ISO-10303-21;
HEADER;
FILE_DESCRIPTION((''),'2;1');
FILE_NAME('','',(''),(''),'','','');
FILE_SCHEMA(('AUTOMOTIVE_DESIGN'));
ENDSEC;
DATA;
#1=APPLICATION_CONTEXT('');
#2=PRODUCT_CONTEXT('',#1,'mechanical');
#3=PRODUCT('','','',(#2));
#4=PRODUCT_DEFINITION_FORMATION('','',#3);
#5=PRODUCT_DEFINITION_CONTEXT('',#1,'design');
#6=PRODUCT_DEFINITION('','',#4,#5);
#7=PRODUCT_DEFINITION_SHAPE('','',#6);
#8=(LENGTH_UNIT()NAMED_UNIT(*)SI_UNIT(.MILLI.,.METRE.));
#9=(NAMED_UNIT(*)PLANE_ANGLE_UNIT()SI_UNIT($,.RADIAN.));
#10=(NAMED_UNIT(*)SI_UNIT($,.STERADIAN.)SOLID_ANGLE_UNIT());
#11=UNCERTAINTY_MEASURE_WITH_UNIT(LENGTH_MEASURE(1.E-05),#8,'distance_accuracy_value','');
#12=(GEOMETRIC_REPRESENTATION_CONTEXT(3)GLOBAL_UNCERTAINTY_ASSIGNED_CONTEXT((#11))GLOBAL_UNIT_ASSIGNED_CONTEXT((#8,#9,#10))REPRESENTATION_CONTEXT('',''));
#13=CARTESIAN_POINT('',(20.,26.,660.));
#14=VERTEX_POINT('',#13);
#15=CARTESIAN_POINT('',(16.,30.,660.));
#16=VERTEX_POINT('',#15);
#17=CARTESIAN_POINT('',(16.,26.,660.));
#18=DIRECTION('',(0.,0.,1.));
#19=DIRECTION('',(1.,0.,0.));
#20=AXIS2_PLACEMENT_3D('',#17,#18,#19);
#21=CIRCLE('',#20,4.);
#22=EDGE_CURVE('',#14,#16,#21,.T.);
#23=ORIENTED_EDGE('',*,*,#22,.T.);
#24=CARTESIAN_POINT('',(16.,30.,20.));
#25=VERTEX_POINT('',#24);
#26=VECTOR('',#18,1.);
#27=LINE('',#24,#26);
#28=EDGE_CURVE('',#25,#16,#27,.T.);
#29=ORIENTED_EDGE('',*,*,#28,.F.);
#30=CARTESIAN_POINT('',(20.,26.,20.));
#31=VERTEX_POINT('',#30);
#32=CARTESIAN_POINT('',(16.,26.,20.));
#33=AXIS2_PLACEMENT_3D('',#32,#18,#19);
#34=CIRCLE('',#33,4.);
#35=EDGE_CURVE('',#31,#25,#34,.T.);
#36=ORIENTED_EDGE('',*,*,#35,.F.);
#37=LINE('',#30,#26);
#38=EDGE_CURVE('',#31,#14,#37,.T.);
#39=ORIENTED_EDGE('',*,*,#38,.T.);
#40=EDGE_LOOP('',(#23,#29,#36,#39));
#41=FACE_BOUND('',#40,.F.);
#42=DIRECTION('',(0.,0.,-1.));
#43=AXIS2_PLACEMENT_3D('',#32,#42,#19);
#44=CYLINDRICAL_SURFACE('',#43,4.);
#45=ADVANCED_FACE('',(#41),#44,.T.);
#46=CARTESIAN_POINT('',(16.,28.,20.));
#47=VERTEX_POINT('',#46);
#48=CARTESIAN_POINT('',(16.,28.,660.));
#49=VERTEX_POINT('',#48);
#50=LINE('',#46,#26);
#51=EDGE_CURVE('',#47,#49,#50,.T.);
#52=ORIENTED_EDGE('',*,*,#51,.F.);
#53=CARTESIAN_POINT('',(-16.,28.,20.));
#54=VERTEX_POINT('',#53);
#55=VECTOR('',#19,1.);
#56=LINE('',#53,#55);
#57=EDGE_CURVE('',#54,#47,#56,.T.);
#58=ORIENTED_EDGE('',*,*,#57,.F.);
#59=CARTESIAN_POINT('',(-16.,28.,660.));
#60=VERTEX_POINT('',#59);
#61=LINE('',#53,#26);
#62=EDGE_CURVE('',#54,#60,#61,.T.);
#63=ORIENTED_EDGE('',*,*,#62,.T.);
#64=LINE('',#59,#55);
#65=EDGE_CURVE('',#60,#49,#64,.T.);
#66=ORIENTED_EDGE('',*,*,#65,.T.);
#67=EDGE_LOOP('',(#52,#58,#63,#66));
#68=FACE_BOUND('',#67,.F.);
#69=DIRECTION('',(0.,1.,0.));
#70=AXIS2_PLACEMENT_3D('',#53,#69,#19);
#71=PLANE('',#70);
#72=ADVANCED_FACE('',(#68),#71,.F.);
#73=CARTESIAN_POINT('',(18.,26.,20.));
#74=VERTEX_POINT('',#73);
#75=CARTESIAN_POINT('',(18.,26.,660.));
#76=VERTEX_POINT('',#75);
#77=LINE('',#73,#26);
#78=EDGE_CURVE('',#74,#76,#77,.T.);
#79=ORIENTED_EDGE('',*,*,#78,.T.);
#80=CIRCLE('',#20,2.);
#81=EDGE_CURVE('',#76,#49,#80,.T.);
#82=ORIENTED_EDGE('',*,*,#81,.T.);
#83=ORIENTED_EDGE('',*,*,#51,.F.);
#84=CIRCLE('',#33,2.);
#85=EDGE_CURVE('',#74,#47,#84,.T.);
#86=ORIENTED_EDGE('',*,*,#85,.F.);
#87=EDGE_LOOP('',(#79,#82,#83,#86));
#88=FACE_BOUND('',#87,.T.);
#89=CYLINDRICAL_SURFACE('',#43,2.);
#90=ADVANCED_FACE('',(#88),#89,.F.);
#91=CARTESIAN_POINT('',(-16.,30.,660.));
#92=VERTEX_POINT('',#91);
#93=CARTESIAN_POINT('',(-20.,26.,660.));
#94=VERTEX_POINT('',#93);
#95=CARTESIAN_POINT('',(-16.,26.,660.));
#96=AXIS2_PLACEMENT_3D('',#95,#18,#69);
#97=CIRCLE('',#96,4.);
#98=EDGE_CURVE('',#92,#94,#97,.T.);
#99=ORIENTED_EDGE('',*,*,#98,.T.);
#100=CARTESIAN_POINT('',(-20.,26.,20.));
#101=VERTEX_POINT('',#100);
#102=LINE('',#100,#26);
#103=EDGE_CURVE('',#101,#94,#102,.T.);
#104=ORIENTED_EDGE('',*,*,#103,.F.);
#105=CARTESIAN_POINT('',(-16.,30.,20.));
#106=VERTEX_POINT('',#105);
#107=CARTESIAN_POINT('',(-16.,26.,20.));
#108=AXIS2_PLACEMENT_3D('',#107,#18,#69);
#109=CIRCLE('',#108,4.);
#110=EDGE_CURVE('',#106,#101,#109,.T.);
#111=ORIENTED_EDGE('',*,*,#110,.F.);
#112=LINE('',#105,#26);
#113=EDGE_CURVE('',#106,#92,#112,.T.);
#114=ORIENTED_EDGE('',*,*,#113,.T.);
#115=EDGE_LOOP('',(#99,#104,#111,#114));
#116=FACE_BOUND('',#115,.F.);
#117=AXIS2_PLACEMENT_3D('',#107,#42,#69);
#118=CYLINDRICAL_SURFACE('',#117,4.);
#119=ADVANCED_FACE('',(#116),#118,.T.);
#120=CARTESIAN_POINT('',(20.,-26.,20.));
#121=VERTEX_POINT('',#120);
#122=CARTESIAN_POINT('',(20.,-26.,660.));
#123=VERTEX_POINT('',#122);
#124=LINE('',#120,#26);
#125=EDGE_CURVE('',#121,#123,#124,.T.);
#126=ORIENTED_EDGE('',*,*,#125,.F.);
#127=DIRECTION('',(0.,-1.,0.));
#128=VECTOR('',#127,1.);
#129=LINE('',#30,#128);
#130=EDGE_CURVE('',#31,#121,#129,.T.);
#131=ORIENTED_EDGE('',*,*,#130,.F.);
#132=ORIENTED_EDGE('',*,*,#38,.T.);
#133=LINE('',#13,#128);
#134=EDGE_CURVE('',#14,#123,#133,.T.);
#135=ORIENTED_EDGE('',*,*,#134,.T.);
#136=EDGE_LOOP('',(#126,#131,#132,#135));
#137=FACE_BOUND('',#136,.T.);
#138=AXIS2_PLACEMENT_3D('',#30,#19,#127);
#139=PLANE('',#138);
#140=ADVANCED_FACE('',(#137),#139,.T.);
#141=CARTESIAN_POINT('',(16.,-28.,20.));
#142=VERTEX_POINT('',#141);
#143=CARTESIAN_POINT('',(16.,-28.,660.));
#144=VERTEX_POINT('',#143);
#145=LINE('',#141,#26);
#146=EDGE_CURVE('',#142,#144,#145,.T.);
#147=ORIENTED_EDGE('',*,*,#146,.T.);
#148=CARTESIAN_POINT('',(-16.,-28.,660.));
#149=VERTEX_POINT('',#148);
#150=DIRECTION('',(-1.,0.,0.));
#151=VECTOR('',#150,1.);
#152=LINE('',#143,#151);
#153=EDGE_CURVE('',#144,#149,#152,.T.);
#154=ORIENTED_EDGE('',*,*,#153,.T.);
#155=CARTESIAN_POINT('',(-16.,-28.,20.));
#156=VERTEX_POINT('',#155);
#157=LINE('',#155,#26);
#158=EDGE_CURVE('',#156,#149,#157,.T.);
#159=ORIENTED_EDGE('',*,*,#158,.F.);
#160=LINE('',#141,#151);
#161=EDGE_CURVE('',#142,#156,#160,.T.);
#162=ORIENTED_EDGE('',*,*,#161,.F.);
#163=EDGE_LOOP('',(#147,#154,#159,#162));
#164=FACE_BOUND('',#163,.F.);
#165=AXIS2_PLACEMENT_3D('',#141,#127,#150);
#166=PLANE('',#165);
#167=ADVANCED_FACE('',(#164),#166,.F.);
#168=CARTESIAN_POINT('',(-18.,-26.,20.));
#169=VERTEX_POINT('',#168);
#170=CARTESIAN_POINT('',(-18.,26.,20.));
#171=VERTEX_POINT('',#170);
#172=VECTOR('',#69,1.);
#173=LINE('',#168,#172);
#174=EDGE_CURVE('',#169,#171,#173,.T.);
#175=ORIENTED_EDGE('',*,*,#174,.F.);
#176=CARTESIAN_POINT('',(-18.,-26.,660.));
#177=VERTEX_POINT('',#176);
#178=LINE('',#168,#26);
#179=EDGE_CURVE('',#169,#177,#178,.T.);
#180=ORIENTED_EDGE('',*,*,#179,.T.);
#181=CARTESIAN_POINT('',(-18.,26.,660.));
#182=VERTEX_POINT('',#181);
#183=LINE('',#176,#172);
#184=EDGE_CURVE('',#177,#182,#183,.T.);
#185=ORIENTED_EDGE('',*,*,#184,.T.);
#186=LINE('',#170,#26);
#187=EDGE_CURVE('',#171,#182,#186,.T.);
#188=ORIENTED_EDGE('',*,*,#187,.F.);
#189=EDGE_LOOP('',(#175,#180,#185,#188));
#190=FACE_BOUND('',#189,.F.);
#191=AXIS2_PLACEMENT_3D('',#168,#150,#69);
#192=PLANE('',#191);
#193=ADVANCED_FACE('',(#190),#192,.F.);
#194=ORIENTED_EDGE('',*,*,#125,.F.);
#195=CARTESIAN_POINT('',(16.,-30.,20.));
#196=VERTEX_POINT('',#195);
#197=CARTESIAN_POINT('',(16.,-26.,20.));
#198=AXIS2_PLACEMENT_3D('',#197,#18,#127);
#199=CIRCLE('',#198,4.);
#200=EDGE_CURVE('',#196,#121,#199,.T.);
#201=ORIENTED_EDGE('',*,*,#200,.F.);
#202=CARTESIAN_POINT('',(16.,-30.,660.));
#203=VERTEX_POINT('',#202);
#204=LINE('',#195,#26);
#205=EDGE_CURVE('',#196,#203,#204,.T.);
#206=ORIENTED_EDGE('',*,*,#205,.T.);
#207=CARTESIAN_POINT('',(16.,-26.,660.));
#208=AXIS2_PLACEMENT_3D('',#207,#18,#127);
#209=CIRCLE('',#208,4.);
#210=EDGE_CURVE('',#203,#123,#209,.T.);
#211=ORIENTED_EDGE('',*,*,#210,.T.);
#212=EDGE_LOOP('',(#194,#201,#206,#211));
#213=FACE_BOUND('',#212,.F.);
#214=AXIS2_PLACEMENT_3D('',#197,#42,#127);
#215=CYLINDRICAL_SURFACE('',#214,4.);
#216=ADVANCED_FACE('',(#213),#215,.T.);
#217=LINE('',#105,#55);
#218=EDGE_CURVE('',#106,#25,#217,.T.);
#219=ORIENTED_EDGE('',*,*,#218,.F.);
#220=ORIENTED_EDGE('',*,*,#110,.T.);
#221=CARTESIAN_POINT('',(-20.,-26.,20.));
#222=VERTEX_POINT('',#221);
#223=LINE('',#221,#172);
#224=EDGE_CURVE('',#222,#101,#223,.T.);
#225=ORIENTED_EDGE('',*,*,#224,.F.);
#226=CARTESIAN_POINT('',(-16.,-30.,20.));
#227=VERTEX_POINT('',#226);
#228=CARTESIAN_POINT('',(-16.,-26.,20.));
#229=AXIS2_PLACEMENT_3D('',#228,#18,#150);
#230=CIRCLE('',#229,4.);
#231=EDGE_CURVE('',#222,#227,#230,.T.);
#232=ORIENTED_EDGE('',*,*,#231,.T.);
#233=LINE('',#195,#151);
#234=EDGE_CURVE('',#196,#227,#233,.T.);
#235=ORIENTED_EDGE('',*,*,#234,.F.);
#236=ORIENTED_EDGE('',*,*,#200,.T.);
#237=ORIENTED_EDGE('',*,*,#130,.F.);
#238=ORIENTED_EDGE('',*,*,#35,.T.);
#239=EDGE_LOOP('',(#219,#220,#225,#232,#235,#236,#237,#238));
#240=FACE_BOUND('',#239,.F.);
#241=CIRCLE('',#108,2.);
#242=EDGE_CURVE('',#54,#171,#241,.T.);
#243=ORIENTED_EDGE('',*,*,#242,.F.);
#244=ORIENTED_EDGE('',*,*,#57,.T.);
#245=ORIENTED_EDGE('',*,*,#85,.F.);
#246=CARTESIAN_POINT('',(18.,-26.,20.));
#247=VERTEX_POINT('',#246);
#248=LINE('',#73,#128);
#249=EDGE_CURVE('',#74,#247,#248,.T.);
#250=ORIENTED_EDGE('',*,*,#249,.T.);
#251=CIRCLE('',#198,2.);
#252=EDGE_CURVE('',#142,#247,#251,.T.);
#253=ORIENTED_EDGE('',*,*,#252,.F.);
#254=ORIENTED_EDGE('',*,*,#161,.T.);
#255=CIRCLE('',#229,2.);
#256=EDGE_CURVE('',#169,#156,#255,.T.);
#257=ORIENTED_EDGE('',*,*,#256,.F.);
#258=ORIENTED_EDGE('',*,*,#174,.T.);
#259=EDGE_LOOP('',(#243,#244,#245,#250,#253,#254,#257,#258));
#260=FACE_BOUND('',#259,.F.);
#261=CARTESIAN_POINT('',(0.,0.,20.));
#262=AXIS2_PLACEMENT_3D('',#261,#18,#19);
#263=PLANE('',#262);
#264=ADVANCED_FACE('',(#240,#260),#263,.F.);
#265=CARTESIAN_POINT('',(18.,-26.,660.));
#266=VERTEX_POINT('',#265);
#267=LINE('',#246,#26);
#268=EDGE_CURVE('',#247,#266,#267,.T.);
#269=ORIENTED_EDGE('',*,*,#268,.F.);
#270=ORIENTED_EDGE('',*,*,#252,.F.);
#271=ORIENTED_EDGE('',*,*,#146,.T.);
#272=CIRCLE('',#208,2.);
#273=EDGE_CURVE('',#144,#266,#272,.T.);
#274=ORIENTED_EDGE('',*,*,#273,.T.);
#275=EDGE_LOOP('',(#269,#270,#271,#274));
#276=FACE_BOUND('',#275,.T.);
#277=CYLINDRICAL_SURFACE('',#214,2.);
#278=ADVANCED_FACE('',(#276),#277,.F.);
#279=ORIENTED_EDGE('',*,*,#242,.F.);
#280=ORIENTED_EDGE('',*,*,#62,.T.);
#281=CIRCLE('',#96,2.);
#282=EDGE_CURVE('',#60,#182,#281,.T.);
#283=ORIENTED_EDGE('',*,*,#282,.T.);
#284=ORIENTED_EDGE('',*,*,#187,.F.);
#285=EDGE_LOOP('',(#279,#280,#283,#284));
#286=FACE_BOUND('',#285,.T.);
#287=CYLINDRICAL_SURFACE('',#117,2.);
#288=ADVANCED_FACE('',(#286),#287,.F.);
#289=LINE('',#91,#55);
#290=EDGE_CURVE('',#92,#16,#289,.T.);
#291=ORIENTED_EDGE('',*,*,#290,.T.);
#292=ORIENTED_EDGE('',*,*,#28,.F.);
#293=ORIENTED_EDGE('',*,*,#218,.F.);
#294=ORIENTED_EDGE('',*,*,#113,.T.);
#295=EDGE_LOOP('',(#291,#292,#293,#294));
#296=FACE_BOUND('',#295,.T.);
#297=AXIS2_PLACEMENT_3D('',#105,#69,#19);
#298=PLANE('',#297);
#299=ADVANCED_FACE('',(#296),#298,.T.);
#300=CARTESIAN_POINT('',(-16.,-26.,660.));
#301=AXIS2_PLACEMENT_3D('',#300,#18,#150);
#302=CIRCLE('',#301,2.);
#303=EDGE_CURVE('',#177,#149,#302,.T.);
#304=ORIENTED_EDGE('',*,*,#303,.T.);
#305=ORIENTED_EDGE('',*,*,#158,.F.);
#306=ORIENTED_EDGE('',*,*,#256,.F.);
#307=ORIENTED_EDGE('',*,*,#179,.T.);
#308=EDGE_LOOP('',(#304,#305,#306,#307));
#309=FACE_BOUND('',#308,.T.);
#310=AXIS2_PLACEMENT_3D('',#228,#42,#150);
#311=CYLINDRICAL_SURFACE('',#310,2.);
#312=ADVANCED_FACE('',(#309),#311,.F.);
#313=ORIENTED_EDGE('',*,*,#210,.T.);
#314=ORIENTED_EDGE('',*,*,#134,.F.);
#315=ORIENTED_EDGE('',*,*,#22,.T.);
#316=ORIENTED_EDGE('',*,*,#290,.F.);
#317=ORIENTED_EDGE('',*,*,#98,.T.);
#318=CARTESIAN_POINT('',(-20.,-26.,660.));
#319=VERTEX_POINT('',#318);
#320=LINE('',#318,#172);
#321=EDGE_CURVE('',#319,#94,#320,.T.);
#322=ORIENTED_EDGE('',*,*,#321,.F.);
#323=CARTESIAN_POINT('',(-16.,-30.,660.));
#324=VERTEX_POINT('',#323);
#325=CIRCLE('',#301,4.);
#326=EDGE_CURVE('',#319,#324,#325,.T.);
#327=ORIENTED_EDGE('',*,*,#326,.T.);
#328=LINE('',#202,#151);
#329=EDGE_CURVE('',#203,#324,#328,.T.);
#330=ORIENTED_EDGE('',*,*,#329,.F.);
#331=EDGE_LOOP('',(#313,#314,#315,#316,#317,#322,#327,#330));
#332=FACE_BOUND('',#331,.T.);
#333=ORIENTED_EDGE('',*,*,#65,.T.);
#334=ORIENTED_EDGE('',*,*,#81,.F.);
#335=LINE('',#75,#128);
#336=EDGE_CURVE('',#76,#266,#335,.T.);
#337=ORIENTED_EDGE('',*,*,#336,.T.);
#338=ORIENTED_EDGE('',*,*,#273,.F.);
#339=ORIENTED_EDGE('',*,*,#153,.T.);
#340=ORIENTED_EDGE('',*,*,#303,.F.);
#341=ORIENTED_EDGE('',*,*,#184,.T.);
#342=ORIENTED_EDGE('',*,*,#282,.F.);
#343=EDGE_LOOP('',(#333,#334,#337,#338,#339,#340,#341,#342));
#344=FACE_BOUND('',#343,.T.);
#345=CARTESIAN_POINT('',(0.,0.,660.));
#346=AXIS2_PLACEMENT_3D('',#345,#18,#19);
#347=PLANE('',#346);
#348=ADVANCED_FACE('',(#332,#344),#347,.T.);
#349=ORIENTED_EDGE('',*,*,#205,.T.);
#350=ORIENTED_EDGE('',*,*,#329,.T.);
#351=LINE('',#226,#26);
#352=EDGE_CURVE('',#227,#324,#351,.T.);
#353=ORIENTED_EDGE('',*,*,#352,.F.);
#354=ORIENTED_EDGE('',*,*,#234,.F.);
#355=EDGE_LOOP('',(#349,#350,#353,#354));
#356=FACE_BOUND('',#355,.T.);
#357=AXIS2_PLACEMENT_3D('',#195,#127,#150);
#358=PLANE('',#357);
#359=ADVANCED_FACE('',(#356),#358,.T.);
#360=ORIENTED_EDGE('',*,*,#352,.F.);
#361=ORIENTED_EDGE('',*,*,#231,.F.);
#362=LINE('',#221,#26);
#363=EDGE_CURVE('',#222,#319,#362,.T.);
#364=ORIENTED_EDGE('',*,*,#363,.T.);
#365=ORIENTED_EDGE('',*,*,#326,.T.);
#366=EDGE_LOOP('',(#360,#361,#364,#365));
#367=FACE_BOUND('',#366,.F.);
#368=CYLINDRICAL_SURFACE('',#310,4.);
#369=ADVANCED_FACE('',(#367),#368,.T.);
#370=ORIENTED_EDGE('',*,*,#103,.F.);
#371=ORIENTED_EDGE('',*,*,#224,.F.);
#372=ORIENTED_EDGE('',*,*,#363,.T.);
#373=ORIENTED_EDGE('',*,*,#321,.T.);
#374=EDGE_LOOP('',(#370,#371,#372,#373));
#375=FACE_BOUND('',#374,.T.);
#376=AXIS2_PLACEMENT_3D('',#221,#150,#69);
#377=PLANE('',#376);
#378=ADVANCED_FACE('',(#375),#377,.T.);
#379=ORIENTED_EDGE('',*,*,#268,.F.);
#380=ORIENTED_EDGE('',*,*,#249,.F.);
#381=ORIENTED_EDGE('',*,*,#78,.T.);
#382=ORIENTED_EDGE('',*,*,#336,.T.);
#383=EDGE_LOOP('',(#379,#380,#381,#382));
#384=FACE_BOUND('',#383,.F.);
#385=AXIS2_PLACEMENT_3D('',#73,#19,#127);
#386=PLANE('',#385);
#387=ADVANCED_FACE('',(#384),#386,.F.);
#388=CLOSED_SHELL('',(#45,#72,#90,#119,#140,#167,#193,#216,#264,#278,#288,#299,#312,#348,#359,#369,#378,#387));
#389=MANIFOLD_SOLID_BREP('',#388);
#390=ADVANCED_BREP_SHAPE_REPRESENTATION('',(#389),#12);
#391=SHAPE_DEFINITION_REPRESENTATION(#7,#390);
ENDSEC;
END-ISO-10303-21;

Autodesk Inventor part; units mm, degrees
ref_plane "YZ Plane" through (0, 0, 0) normal (1, 0, 0) x (0, 1, 0)
ref_plane "Start Plane" through (0, 0, 20) normal (0, 0, 1) x (1, 0, 0)
ref_plane "End Plane" through (0, 0, 660) normal (0, 0, 1) x (1, 0, 0)
sketch "Sketch" plane through (0, 0, 0) normal (0, 0, 1) x (1, 0, 0)
  line L0 (-20, -26) -> (-20, 26)
  line L1 (-16, 30) -> (16, 30)
  line L2 (20, 26) -> (20, -26)
  line L3 (16, -30) -> (-16, -30)
  arc A0 (-20, -26) -> (-16, -30) centre (-16, -26) ccw
  arc A1 (20, 26) -> (16, 30) centre (16, 26) ccw
  arc A2 (-16, 30) -> (-20, 26) centre (-16, 26) ccw
  arc A3 (16, -30) -> (20, -26) centre (16, -26) ccw
  arc A4 (-16, 28) -> (-18, 26) centre (-16, 26) ccw
  line L4 (-16, 28) -> (16, 28)
  arc A5 (18, 26) -> (16, 28) centre (16, 26) ccw
  line L5 (18, 26) -> (18, -26)
  arc A6 (16, -28) -> (18, -26) centre (16, -26) ccw
  line L6 (16, -28) -> (-16, -28)
  arc A7 (-18, -26) -> (-16, -28) centre (-16, -26) ccw
  line L7 (-18, -26) -> (-18, 26)
  line L8 (0, 43.1598) -> (0, -43.1598) construction
  line L9 (-29.1598, 0) -> (29.1598, 0) construction
  dimension "d7" = 4
  dimension "d9" = 40
  dimension "d11" = 60
  dimension "d12" = 2
  dimension "d15" = 20
  dimension "d16" = 30
extrude "Body" add sketch "Sketch" along normal up to surface (640 mm away) from surface at 20
sketch "Sketch3" plane through (0, 0, 0) normal (0, 0, 1) x (1, 0, 0)
  line L0 (0, 0) -> (10, 0)
ref_plane "Work Plane3" through (0, 0, 0) normal (0, -1, 0) x (1, 0, 0)
sketch "Sketch4" plane through (0, 0, 0) normal (0, -1, 0) x (1, 0, 0)
  line L0 (-2, 20) -> (12, 20) projected
  line L1 (-2, 660) -> (12, 660) projected
  dimension "d18" = 640
equation "\"d7\" = G_IR"
equation "\"d9\" = G_W"
equation "\"d11\" = G_H"
equation "\"d12\" = G_T"
equation "\"d15\" = 0.5 * d9"
equation "\"d16\" = 0.5 * d11"
equation "\"d3\" = G_L"
equation "\"G_W\" = 40"
equation "\"G_H\" = 60"
equation "\"G_T\" = 2"
equation "\"G_IR\" = 4"
equation "\"G_L\" = d18"
properties part number "ISO 10799-2 - 60x40x2 - 640" material "Steel, Mild"
